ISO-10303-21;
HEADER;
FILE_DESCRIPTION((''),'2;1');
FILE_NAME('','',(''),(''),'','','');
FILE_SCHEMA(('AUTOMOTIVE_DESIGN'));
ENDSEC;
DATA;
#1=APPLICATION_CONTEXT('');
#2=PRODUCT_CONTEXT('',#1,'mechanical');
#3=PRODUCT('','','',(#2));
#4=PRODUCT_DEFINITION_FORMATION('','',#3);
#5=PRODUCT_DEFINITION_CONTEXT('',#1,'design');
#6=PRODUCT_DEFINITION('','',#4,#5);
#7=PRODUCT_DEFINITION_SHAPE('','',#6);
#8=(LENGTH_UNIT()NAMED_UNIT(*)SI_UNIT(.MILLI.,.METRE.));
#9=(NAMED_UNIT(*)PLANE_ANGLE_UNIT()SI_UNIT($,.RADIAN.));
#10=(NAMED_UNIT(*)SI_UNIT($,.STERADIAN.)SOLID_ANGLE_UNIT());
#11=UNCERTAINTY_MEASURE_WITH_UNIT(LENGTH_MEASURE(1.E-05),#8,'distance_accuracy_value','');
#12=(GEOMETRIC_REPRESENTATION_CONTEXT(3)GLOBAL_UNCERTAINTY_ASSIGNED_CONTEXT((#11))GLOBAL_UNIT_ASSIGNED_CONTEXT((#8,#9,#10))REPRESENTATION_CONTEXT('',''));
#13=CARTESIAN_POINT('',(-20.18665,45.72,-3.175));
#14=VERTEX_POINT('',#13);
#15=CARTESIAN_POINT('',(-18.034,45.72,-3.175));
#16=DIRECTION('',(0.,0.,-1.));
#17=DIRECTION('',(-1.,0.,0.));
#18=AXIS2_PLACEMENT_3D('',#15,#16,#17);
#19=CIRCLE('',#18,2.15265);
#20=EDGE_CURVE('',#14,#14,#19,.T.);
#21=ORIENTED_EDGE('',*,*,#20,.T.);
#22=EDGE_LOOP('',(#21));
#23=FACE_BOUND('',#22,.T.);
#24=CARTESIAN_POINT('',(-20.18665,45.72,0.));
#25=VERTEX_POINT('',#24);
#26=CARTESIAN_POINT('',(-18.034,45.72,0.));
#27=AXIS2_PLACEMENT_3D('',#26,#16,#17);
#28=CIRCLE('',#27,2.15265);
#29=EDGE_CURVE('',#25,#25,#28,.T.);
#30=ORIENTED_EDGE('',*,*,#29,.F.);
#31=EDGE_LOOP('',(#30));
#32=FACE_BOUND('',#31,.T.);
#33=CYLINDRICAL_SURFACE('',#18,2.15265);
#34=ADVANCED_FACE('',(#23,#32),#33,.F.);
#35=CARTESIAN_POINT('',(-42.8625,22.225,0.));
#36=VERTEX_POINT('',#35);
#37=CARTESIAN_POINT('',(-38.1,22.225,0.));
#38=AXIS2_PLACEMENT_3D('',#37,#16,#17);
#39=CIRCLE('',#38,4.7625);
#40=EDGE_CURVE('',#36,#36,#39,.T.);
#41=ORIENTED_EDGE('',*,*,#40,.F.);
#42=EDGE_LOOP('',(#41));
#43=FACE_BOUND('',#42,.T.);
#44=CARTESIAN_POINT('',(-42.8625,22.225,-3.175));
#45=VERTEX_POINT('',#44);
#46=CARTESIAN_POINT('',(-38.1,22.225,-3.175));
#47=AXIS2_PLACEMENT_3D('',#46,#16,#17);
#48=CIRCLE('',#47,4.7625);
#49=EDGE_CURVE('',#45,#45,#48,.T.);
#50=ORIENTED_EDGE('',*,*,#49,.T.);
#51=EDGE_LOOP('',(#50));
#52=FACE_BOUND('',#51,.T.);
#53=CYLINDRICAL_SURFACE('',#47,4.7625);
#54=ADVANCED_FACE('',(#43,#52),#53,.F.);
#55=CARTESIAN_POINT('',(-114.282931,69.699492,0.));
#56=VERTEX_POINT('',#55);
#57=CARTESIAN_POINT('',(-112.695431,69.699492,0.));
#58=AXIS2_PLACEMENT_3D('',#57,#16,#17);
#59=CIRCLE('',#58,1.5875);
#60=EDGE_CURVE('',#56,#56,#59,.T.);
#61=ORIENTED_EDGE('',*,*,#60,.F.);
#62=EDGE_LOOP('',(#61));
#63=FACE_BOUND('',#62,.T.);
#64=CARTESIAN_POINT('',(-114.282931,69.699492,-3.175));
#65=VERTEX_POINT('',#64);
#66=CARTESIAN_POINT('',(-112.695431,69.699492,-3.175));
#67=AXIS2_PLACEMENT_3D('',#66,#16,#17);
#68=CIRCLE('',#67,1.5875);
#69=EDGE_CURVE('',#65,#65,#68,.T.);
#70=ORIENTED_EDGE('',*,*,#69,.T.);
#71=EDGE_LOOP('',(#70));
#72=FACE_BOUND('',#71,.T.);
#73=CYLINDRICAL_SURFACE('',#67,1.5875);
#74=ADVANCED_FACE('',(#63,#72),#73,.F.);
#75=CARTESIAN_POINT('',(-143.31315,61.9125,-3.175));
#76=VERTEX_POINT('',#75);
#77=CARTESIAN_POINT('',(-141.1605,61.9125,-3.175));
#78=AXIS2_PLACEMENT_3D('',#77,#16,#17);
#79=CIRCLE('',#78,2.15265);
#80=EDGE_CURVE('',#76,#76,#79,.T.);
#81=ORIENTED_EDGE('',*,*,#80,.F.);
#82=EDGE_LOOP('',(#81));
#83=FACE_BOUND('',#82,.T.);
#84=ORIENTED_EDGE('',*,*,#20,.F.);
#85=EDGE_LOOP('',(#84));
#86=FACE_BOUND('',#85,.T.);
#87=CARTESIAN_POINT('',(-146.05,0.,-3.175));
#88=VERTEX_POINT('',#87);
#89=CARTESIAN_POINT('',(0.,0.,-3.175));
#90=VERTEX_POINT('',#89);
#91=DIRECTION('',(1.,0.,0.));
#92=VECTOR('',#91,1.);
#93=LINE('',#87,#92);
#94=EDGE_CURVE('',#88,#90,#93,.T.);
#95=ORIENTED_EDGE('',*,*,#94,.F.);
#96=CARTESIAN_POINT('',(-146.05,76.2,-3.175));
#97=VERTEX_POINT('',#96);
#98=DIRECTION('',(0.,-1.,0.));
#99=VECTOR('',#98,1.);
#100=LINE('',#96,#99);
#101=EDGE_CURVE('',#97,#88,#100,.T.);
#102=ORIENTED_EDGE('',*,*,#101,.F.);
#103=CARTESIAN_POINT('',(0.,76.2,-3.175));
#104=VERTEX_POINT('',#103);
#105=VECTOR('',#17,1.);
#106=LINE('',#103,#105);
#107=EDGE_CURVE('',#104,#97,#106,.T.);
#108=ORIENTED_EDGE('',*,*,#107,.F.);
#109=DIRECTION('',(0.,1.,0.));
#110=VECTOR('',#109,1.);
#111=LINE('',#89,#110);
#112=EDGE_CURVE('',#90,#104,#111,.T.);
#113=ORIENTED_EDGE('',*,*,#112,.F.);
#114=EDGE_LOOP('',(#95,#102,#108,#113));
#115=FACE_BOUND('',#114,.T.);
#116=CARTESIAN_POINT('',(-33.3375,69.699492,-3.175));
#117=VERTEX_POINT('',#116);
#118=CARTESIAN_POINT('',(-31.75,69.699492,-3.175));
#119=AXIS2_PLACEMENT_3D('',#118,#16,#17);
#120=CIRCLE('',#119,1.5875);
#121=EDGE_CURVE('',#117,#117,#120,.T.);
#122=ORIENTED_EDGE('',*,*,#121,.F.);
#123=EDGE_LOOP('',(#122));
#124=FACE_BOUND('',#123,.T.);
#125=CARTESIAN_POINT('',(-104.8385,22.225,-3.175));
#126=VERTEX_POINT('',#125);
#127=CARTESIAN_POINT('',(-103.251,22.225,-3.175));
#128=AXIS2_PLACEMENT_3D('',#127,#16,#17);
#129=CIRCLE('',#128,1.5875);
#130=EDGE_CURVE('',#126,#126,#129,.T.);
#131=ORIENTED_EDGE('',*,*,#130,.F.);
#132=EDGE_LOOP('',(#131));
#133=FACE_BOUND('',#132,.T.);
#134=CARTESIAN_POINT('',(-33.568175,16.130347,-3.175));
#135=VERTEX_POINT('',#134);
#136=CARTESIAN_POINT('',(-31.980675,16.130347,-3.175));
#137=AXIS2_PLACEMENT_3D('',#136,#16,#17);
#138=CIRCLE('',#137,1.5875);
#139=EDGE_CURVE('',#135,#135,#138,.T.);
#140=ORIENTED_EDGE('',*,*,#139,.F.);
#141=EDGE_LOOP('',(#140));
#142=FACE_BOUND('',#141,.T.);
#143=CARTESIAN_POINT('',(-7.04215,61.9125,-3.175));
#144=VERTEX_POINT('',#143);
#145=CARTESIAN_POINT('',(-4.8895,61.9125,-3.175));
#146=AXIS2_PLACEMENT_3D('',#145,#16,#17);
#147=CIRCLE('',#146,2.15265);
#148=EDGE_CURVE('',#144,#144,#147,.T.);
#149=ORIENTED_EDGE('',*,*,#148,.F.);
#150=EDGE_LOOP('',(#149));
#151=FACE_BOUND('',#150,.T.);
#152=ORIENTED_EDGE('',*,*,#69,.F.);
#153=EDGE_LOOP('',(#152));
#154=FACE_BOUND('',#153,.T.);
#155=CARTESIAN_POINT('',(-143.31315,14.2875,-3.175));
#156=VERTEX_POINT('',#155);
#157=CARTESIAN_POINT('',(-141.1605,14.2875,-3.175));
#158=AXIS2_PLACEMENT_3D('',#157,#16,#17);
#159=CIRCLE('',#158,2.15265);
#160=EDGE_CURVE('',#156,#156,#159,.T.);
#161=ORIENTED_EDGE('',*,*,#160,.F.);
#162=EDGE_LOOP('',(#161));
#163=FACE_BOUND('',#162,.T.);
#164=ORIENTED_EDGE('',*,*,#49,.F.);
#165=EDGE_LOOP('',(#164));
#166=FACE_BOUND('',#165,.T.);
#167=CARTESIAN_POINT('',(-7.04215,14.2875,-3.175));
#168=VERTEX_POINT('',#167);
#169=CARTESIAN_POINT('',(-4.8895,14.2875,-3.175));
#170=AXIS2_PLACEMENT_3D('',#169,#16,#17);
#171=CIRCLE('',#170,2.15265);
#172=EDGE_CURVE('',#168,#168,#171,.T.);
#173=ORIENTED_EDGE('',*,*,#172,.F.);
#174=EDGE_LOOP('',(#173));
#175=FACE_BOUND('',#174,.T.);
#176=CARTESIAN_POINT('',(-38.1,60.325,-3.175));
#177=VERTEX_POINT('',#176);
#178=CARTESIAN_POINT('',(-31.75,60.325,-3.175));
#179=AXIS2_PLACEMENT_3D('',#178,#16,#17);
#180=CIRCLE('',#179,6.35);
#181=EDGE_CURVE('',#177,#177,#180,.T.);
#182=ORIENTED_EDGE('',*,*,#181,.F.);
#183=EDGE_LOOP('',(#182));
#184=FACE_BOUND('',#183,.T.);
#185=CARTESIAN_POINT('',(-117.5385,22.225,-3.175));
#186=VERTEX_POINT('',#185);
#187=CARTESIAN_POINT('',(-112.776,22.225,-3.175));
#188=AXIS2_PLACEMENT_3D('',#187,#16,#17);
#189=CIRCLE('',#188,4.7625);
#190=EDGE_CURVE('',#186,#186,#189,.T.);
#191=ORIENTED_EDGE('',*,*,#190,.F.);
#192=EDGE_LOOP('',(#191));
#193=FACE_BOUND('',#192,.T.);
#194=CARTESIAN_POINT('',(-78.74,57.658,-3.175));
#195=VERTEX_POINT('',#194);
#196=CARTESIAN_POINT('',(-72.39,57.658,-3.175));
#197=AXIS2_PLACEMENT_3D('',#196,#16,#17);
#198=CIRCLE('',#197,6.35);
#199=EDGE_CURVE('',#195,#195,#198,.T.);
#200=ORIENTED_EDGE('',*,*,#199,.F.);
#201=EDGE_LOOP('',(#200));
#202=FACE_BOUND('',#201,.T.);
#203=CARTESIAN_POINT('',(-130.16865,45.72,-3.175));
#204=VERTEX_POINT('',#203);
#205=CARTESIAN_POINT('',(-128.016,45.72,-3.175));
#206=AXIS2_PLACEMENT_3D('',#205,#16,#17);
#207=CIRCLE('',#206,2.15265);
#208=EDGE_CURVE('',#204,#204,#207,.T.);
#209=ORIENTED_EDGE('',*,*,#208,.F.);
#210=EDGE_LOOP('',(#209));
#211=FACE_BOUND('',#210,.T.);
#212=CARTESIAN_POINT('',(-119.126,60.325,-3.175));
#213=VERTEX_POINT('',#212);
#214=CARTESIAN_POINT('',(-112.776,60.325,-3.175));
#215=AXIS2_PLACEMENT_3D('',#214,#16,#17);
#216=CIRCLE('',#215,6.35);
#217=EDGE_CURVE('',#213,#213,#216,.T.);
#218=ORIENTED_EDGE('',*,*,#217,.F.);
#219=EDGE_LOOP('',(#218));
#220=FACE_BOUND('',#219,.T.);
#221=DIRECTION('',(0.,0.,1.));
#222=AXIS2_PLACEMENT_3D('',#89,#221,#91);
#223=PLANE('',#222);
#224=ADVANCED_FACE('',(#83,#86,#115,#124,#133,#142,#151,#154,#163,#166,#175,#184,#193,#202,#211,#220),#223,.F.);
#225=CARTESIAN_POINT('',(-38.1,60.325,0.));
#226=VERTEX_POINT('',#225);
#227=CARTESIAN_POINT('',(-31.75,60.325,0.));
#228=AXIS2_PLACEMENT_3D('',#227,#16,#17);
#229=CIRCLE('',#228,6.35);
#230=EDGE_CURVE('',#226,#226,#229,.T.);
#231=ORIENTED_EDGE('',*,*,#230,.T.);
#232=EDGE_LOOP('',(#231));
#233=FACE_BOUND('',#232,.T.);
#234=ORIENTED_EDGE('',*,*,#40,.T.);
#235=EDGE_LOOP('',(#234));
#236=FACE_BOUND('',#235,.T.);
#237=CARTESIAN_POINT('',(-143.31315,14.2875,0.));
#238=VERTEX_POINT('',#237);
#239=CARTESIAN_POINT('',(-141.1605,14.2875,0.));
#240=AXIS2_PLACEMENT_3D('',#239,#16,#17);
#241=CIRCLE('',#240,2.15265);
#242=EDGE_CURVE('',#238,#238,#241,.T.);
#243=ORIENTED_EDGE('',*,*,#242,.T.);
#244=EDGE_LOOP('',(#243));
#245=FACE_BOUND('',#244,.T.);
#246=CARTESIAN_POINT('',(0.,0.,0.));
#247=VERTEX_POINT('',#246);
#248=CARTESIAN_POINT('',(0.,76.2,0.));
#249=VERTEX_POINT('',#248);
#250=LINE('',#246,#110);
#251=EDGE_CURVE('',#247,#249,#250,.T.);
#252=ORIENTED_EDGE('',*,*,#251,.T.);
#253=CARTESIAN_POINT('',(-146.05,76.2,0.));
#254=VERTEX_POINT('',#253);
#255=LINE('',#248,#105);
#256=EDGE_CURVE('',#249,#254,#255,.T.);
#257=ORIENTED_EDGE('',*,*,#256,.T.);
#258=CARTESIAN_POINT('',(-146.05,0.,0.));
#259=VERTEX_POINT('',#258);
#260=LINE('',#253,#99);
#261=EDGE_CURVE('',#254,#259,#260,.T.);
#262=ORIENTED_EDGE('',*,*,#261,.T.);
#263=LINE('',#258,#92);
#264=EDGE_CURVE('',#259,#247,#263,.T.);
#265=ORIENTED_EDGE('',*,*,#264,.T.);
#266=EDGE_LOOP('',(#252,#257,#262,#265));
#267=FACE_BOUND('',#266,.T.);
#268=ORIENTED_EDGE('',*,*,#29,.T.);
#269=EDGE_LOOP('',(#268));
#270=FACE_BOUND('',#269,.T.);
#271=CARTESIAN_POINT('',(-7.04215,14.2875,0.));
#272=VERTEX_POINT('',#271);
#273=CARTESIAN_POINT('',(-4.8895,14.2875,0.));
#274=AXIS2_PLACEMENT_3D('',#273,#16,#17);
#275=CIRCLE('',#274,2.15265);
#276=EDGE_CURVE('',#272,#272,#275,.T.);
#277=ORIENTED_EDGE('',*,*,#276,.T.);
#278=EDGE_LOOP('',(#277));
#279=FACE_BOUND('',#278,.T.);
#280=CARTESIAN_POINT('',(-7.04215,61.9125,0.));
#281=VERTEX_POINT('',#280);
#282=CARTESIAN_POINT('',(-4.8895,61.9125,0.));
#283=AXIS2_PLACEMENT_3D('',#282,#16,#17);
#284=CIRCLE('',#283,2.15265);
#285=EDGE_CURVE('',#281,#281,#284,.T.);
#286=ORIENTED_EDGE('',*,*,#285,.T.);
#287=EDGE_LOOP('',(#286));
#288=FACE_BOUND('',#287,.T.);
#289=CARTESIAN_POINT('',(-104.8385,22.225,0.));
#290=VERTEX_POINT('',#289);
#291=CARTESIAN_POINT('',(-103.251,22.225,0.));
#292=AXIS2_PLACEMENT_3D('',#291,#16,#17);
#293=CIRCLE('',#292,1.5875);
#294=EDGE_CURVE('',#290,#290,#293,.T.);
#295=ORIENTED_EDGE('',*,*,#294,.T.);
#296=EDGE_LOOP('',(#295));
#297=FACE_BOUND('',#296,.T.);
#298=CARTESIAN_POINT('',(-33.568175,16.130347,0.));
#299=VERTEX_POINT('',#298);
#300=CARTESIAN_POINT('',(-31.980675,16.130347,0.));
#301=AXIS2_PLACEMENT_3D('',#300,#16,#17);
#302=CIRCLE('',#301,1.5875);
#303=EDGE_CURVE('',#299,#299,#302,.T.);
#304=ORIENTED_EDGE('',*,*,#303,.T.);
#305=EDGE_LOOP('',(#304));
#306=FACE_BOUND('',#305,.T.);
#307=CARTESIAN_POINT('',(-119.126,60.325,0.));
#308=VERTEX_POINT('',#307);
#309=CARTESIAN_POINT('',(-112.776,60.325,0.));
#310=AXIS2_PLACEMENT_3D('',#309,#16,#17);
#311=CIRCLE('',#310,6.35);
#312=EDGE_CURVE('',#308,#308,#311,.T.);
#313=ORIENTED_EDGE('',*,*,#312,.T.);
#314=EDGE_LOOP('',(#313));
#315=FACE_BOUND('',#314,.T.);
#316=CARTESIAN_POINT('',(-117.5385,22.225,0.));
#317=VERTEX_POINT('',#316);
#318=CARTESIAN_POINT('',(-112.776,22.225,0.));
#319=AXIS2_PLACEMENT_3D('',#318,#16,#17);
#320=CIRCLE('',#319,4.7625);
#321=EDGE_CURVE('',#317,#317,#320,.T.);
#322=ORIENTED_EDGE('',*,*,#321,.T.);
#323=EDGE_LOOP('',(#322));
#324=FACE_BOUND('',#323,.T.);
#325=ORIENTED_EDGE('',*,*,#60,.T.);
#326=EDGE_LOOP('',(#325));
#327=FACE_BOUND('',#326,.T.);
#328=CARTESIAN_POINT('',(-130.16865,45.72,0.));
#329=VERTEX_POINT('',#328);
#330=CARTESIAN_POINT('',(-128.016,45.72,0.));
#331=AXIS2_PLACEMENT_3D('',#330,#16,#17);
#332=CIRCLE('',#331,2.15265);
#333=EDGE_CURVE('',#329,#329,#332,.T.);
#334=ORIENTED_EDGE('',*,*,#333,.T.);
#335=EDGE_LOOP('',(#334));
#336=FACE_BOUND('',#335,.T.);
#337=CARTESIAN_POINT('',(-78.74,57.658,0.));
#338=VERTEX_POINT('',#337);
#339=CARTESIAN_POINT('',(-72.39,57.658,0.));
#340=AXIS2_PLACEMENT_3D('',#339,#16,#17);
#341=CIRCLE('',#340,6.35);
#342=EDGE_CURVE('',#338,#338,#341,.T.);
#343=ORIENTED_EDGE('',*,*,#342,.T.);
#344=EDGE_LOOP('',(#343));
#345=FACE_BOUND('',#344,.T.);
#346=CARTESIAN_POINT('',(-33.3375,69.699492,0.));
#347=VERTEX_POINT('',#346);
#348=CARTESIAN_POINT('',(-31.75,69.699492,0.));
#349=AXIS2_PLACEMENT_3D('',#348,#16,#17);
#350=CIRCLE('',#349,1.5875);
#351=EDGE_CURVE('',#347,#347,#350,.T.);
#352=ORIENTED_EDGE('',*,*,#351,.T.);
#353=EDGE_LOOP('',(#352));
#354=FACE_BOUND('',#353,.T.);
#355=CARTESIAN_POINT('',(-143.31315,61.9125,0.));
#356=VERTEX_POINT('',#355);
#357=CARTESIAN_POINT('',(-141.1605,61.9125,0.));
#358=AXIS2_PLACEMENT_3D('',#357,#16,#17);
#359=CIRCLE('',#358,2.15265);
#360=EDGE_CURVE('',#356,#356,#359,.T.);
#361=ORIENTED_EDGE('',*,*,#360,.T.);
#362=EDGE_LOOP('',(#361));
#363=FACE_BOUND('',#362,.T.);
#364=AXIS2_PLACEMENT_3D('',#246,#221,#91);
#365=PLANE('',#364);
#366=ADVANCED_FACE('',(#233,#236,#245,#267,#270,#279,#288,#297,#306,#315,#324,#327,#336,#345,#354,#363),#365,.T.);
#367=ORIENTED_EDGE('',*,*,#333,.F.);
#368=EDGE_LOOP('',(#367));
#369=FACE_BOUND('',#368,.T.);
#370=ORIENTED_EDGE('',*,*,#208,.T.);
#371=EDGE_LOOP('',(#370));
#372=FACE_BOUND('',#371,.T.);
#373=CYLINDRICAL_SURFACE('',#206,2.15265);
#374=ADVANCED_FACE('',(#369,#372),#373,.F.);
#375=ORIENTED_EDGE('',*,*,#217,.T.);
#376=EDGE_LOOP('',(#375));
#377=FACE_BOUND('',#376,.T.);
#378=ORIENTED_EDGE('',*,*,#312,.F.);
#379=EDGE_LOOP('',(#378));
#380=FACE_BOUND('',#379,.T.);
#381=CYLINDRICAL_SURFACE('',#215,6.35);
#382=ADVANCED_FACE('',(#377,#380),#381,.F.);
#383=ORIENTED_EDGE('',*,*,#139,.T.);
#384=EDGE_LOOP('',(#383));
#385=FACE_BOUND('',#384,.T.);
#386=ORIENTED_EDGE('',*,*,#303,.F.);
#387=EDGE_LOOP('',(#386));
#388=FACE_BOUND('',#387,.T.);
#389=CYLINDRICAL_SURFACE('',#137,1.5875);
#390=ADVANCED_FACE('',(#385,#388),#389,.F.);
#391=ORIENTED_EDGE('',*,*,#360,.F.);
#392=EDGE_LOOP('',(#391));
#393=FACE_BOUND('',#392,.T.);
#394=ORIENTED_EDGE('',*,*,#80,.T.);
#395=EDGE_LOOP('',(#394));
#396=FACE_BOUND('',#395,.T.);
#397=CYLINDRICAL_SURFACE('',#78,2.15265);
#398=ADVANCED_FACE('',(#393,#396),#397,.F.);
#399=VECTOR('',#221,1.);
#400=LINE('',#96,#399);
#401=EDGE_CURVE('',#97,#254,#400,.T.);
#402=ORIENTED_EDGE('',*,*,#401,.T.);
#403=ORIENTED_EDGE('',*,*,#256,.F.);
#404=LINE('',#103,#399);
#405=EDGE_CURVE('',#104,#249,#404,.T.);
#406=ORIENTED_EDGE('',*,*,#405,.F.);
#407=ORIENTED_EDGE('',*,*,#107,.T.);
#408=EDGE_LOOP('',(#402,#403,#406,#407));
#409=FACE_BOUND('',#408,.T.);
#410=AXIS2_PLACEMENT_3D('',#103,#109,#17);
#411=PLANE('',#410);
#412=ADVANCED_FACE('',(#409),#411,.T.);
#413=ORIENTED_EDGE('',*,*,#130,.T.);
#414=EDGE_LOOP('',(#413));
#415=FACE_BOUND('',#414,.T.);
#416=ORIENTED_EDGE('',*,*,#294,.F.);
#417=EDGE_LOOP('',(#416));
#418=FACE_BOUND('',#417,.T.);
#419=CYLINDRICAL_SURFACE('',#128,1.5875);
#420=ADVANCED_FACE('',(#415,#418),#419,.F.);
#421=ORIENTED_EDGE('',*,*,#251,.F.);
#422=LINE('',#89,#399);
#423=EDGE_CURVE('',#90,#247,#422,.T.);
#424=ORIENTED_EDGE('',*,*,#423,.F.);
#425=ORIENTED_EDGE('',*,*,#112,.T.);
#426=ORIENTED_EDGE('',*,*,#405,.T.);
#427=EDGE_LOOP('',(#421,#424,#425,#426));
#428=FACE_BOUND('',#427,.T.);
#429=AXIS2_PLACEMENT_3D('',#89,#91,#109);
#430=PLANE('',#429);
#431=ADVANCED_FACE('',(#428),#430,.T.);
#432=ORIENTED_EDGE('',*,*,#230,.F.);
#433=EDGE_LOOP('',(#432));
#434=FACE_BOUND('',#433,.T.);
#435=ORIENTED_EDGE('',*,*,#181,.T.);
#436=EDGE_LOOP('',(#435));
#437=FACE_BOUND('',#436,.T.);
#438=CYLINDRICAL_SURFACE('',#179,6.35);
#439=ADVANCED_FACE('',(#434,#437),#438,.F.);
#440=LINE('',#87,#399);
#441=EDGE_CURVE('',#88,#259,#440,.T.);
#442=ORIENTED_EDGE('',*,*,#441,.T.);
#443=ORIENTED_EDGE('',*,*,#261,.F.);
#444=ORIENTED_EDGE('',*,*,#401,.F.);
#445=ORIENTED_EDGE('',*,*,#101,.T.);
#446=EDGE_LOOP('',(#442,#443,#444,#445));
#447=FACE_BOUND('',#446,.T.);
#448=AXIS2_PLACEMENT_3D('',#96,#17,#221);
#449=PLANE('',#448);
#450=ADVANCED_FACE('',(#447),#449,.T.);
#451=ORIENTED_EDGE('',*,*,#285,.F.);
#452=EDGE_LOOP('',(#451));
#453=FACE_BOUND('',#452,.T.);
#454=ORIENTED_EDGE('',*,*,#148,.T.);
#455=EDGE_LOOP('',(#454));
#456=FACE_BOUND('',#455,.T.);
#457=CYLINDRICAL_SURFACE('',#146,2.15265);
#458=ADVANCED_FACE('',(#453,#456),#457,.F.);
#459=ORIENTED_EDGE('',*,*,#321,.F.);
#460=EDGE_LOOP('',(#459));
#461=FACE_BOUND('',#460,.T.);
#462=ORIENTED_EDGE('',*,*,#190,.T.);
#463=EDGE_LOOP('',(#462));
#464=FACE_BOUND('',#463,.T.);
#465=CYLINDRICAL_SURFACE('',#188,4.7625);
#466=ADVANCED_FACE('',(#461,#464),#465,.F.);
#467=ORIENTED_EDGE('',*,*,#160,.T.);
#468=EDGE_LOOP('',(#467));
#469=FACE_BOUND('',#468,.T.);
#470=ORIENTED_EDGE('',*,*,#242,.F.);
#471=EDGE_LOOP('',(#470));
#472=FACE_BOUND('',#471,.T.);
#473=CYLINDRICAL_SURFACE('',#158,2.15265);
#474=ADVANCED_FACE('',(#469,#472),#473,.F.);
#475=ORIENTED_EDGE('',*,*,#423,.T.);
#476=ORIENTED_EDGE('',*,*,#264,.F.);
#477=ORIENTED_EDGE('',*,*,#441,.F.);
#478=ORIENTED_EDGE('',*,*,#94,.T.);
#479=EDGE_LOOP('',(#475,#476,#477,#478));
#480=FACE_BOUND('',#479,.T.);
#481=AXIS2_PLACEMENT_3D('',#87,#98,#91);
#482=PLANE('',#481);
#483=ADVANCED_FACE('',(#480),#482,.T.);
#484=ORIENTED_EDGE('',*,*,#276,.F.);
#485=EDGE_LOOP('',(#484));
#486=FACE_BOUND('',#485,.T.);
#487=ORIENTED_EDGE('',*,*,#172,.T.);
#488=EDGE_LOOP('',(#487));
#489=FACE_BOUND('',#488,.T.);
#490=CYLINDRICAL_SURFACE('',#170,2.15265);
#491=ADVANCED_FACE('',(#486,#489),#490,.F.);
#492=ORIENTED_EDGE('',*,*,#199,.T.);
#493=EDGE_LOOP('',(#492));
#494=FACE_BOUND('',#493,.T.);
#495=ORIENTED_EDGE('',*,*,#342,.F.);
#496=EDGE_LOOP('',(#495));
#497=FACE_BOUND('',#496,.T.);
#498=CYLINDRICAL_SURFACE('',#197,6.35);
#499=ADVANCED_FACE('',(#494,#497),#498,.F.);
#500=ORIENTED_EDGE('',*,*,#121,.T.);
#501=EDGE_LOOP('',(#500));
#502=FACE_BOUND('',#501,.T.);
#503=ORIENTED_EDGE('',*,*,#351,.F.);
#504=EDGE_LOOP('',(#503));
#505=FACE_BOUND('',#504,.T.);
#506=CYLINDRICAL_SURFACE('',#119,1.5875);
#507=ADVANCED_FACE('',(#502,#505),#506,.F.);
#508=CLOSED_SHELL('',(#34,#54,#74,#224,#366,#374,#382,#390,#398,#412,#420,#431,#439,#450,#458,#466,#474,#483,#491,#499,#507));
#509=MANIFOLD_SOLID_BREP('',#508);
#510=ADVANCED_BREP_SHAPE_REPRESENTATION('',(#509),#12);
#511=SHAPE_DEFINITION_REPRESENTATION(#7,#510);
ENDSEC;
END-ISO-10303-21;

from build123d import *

# Parameters (mm, degrees)
SKETCH1_W                    = 146.05
SKETCH1_H                    = 76.2
BOSS_EXTRUDE1_DEPTH          = 3.175
F_6_CLEARANCE_HOLE1_D        = 4.3053
F_1_2_0_5_DIAMETER_HOLE1_D   = 12.7
F_3_8_0_375_DIAMETER_HOLE1_D = 9.525
F_1_8_0_125_DIAMETER_HOLE1_D = 3.175


with BuildPart() as part:
    # Sketch1 → Boss-Extrude1 (new body)
    with BuildSketch(Plane.XY):
        with Locations((-73.025, 38.1)):
            Rectangle(SKETCH1_W, SKETCH1_H)
    extrude(amount=-BOSS_EXTRUDE1_DEPTH)

    # #6 Clearance Hole1 (through all)
    with Locations(Plane(origin=(0, 0, -3.175), x_dir=(-1, 0, 0), z_dir=(0, 0, -1))):
        with Locations((4.8895, 61.9125), (4.8895, 14.2875), (141.1605, 14.2875), (141.1605, 61.9125), (128.016, 45.72), (18.034, 45.72)):
            Hole(F_6_CLEARANCE_HOLE1_D / 2)

    # 1/2 (0.5) Diameter Hole1 (through all)
    with Locations(Plane(origin=(0, 0, -3.175), x_dir=(-1, 0, 0), z_dir=(0, 0, -1))):
        with Locations((31.75, 60.325), (72.39, 57.658), (112.776, 60.325)):
            Hole(F_1_2_0_5_DIAMETER_HOLE1_D / 2)

    # 3/8 (0.375) Diameter Hole1 (through all)
    with Locations(Plane(origin=(0, 0, -3.175), x_dir=(-1, 0, 0), z_dir=(0, 0, -1))):
        with Locations((38.1, 22.225), (112.776, 22.225)):
            Hole(F_3_8_0_375_DIAMETER_HOLE1_D / 2)

    # 1/8 (0.125) Diameter Hole1 (through all)
    with Locations(Plane(origin=(0, 0, -3.175), x_dir=(-1, 0, 0), z_dir=(0, 0, -1))):
        with Locations((31.75, 69.699492067), (112.695431447, 69.699492067), (103.251, 22.225), (31.98067476, 16.130346764)):
            Hole(F_1_8_0_125_DIAMETER_HOLE1_D / 2)


solid = part.part
